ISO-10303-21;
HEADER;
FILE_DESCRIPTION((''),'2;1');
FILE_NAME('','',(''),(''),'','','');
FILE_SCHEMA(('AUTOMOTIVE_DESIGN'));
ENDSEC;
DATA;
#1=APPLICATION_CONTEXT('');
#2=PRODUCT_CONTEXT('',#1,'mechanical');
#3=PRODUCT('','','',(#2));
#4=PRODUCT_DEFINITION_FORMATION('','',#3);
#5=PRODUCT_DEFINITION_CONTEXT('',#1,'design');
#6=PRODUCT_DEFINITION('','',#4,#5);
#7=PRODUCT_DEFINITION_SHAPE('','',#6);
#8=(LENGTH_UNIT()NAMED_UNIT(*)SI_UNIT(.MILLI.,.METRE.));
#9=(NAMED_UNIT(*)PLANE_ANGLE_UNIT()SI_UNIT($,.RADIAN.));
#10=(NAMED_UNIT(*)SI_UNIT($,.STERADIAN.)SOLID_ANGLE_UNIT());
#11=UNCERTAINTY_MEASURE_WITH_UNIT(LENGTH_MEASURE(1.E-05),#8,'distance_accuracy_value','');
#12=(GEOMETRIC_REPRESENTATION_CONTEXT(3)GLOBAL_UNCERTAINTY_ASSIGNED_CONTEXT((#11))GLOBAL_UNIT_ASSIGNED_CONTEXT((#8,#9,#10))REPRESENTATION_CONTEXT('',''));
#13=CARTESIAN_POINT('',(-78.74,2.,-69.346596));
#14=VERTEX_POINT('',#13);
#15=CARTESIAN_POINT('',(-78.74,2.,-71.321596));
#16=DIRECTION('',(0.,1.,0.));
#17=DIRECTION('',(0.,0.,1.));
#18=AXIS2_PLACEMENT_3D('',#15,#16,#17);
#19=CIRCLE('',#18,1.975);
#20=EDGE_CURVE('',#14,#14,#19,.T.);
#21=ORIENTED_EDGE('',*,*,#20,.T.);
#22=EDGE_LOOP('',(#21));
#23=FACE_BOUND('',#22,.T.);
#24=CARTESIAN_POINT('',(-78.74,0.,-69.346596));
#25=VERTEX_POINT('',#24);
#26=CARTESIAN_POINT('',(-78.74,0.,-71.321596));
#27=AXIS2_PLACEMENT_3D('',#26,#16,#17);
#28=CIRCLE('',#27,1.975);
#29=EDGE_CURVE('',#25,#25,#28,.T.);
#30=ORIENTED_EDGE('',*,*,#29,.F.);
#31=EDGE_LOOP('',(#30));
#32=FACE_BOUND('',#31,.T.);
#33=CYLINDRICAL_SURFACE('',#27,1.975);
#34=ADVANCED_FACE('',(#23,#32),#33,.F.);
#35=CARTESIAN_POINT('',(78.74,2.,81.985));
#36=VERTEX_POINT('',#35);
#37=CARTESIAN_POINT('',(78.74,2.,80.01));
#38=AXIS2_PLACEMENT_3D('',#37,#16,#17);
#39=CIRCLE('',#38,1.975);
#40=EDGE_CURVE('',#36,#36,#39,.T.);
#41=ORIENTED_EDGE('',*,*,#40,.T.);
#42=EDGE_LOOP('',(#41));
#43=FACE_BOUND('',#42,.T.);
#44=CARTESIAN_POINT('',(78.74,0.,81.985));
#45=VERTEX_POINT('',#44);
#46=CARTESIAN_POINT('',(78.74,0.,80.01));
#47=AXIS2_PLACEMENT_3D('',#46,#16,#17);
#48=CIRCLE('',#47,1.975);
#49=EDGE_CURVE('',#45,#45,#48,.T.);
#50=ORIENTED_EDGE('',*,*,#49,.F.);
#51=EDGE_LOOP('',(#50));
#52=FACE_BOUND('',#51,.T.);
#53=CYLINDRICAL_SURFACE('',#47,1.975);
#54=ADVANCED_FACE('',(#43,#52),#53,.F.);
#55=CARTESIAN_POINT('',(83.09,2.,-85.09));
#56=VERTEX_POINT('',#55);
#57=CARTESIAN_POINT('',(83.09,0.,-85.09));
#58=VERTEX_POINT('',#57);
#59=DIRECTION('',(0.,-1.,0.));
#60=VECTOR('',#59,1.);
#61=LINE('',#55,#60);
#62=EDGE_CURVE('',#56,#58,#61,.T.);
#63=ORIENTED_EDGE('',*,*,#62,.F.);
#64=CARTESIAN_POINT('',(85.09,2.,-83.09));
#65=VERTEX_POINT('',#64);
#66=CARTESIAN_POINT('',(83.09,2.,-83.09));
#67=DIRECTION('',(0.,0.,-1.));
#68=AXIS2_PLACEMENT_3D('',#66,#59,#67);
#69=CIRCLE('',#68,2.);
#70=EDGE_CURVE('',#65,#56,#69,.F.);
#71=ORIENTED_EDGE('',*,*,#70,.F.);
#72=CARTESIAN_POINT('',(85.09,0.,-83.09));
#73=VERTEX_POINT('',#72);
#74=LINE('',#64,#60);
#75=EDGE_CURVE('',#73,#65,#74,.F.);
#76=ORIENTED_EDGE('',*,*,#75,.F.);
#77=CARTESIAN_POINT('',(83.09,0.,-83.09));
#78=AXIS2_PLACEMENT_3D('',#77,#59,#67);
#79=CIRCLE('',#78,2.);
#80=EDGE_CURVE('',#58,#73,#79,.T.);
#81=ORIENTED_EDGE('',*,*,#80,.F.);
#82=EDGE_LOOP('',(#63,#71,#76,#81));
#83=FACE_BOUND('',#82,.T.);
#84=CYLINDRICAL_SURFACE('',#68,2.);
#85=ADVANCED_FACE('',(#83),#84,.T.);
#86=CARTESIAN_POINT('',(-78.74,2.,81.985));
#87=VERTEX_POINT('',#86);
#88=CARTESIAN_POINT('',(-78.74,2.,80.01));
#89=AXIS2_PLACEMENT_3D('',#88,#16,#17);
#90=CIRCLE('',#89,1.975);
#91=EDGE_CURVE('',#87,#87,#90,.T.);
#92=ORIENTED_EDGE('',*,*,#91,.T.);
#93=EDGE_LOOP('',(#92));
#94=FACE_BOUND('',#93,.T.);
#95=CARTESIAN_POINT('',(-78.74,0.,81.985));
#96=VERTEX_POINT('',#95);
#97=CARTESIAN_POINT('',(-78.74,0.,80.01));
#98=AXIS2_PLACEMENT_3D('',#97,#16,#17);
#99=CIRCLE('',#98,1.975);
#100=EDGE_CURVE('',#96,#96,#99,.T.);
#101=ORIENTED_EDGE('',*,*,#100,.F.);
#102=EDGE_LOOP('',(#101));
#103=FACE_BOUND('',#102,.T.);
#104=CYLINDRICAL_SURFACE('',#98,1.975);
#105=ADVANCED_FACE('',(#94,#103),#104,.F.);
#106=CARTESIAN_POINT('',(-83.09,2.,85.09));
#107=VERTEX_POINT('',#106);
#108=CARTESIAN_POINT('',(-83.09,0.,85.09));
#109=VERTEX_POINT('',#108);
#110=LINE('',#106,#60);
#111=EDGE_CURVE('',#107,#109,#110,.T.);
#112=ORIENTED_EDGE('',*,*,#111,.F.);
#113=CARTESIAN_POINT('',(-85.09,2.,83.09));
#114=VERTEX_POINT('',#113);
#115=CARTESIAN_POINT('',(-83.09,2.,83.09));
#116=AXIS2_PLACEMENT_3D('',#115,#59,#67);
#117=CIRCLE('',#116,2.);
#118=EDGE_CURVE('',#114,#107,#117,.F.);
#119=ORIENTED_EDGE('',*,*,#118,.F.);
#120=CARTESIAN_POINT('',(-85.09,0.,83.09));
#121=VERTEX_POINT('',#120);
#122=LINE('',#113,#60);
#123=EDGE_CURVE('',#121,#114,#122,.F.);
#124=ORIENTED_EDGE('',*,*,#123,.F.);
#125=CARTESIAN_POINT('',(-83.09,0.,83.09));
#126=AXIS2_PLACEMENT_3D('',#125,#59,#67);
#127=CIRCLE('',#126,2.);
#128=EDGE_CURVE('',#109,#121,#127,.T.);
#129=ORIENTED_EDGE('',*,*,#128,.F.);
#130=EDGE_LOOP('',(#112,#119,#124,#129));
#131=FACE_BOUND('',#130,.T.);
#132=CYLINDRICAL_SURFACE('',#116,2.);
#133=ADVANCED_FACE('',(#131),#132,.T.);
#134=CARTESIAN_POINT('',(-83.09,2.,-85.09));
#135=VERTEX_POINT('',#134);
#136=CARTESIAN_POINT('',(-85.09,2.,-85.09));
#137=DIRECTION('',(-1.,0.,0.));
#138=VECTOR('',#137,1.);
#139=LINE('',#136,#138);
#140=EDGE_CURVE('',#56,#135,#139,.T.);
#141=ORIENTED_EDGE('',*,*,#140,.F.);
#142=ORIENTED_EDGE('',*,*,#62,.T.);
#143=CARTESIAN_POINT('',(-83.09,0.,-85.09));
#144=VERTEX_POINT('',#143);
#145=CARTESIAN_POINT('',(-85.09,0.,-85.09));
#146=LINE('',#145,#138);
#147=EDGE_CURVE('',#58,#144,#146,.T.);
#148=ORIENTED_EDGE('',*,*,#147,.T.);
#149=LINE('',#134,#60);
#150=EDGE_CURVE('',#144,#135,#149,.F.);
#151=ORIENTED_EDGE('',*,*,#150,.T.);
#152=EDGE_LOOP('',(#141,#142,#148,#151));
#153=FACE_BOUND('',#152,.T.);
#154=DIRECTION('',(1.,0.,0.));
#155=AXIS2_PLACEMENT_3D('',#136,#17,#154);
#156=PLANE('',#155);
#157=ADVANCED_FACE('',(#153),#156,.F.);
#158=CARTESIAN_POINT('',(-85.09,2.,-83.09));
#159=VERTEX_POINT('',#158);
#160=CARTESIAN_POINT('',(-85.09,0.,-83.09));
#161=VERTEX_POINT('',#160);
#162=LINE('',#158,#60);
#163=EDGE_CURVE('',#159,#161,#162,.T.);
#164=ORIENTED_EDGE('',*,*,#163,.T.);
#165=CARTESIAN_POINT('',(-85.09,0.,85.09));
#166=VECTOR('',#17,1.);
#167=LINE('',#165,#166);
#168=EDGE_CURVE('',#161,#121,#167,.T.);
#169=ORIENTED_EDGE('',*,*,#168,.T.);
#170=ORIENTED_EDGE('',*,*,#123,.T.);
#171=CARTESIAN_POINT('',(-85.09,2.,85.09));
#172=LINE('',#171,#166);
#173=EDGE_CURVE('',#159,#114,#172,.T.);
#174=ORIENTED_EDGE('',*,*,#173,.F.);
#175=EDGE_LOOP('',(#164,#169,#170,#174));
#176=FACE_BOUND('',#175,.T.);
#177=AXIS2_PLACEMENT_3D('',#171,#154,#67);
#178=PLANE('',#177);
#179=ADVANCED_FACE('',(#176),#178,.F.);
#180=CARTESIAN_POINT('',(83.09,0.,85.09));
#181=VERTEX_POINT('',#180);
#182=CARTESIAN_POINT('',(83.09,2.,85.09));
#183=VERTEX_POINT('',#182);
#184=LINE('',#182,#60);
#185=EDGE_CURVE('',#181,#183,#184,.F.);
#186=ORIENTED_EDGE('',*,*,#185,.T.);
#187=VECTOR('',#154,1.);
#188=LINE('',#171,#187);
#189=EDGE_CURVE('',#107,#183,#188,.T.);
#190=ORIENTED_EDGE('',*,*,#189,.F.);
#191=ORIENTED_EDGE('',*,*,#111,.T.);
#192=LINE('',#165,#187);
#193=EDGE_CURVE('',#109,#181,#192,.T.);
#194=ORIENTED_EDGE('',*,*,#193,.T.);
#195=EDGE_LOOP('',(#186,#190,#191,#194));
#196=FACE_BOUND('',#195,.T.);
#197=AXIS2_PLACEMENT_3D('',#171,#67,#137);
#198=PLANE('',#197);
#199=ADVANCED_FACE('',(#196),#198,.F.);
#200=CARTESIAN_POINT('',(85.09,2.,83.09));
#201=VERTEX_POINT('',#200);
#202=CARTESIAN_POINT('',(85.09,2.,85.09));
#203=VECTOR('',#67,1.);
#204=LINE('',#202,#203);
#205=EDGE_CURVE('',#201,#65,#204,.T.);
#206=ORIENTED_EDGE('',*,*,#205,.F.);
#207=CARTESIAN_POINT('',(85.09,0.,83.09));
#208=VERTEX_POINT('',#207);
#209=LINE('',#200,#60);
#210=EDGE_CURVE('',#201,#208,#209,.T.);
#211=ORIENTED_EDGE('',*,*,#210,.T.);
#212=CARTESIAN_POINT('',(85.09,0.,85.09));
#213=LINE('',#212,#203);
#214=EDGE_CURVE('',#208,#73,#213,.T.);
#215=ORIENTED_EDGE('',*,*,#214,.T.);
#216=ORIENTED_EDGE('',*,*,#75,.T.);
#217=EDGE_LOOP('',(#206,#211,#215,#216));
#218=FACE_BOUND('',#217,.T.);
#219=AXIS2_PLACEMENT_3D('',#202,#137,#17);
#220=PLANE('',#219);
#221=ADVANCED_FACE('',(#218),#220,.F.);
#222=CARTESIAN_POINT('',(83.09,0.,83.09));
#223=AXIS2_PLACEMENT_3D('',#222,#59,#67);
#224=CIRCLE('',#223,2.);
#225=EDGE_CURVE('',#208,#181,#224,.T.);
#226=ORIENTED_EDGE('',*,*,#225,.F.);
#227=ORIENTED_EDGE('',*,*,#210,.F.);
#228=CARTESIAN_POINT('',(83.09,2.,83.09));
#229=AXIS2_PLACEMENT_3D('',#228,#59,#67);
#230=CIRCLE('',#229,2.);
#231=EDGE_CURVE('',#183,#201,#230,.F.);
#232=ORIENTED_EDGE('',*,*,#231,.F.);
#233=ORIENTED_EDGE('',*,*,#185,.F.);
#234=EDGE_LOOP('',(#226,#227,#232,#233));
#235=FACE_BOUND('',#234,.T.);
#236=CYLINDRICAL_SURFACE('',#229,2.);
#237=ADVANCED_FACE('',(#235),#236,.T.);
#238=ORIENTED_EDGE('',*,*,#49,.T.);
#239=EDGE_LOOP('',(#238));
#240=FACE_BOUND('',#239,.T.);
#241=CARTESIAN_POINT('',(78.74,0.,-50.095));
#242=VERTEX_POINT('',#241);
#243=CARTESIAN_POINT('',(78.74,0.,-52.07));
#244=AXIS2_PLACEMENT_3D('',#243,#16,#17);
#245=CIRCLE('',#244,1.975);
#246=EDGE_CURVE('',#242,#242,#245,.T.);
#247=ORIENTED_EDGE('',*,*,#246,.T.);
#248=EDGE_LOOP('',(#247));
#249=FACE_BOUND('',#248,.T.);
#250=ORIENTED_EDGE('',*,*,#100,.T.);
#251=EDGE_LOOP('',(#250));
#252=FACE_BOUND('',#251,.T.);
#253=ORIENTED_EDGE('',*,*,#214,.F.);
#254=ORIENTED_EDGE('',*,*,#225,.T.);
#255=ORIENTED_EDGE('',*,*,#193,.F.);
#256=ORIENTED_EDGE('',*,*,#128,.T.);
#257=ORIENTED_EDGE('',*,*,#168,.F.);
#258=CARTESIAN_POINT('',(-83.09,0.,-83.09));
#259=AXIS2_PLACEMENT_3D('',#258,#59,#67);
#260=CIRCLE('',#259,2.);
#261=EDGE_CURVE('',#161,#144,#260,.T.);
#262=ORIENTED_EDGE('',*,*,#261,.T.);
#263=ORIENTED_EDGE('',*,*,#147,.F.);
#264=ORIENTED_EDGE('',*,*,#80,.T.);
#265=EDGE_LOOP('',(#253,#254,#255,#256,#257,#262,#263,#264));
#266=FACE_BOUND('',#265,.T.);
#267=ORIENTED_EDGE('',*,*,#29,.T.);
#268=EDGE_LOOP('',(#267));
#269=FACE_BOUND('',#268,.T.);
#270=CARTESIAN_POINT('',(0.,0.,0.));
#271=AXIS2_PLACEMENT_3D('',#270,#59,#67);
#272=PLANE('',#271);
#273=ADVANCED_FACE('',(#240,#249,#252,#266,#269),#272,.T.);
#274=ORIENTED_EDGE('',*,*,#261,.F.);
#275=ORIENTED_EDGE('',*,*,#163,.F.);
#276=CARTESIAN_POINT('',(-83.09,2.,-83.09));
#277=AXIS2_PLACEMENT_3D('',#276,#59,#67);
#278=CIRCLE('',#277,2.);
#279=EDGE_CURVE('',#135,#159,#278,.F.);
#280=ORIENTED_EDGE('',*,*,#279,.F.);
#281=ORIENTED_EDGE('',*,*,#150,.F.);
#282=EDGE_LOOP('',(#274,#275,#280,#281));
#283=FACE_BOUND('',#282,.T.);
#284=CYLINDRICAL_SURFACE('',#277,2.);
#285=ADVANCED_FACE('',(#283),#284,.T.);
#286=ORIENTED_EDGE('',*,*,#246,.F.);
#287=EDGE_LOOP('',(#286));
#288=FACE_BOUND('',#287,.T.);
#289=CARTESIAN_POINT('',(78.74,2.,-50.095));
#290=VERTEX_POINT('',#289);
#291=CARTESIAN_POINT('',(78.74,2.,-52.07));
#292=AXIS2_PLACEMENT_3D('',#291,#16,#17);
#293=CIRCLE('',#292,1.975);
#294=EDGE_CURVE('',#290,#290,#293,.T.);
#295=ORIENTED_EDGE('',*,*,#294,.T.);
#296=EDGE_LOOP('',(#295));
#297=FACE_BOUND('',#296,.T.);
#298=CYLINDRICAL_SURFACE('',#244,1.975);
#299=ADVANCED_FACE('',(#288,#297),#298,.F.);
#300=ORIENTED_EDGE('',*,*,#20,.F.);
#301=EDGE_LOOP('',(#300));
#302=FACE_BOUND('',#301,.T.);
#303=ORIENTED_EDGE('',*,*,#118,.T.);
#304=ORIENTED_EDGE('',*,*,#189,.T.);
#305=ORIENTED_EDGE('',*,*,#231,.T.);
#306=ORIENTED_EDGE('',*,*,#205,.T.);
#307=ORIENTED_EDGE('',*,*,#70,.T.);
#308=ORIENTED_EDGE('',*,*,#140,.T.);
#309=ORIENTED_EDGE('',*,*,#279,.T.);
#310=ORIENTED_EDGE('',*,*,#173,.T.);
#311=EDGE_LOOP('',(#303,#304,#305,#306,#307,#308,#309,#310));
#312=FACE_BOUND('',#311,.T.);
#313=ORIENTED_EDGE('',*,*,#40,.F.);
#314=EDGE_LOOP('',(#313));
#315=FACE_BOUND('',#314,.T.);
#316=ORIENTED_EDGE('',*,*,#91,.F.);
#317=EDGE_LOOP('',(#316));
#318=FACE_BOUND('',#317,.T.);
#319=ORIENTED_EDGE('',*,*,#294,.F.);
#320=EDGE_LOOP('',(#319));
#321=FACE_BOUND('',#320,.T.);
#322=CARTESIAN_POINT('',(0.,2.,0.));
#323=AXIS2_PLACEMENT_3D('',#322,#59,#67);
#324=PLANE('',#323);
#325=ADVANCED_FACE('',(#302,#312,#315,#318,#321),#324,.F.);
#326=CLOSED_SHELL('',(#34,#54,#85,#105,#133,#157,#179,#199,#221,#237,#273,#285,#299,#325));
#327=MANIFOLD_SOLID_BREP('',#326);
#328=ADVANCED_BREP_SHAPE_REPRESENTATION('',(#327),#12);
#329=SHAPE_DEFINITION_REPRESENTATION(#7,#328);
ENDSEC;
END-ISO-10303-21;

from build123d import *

# Parameters (mm, degrees)
SKETCH1_W           = 170.18
SKETCH1_H           = 170.18
BOSS_EXTRUDE1_DEPTH = 2
FILLET1_R           = 2
SKETCH3_R           = 1.975
CUT_EXTRUDE1_DEPTH  = 121.352051083


with BuildPart() as part:
    # Sketch1 → Boss-Extrude1 (new body)
    with BuildSketch(Plane(origin=(0, 0, 0), x_dir=(1, 0, 0), z_dir=(0, 1, 0))):
        Rectangle(SKETCH1_W, SKETCH1_H)
    extrude(amount=BOSS_EXTRUDE1_DEPTH)

    # Fillet1
    fillet1_edges = [part.edges().sort_by_distance(p)[0] for p in [
        (85.09, 1, 85.09),
        (-85.09, 1, 85.09),
        (-85.09, 1, -85.09),
        (85.09, 1, -85.09),
    ]]
    fillet(fillet1_edges, radius=FILLET1_R)

    # Sketch3 → Cut-Extrude1 (cut, through all)
    with BuildSketch(Plane(origin=(0, 2, 0), x_dir=(1, 0, 0), z_dir=(0, 1, 0))):
        with Locations(Location((-78.74, 71.321596211, 0), (0, 0, 270))):
            Circle(SKETCH3_R)
        with Locations(Location((78.74, 52.07, 0), (0, 0, 270))):
            Circle(SKETCH3_R)
        with Locations(Location((78.74, -80.01, 0), (0, 0, 270))):
            Circle(SKETCH3_R)
        with Locations(Location((-78.74, -80.01, 0), (0, 0, 270))):
            Circle(SKETCH3_R)
    extrude(amount=-CUT_EXTRUDE1_DEPTH, mode=Mode.SUBTRACT)


solid = part.part
